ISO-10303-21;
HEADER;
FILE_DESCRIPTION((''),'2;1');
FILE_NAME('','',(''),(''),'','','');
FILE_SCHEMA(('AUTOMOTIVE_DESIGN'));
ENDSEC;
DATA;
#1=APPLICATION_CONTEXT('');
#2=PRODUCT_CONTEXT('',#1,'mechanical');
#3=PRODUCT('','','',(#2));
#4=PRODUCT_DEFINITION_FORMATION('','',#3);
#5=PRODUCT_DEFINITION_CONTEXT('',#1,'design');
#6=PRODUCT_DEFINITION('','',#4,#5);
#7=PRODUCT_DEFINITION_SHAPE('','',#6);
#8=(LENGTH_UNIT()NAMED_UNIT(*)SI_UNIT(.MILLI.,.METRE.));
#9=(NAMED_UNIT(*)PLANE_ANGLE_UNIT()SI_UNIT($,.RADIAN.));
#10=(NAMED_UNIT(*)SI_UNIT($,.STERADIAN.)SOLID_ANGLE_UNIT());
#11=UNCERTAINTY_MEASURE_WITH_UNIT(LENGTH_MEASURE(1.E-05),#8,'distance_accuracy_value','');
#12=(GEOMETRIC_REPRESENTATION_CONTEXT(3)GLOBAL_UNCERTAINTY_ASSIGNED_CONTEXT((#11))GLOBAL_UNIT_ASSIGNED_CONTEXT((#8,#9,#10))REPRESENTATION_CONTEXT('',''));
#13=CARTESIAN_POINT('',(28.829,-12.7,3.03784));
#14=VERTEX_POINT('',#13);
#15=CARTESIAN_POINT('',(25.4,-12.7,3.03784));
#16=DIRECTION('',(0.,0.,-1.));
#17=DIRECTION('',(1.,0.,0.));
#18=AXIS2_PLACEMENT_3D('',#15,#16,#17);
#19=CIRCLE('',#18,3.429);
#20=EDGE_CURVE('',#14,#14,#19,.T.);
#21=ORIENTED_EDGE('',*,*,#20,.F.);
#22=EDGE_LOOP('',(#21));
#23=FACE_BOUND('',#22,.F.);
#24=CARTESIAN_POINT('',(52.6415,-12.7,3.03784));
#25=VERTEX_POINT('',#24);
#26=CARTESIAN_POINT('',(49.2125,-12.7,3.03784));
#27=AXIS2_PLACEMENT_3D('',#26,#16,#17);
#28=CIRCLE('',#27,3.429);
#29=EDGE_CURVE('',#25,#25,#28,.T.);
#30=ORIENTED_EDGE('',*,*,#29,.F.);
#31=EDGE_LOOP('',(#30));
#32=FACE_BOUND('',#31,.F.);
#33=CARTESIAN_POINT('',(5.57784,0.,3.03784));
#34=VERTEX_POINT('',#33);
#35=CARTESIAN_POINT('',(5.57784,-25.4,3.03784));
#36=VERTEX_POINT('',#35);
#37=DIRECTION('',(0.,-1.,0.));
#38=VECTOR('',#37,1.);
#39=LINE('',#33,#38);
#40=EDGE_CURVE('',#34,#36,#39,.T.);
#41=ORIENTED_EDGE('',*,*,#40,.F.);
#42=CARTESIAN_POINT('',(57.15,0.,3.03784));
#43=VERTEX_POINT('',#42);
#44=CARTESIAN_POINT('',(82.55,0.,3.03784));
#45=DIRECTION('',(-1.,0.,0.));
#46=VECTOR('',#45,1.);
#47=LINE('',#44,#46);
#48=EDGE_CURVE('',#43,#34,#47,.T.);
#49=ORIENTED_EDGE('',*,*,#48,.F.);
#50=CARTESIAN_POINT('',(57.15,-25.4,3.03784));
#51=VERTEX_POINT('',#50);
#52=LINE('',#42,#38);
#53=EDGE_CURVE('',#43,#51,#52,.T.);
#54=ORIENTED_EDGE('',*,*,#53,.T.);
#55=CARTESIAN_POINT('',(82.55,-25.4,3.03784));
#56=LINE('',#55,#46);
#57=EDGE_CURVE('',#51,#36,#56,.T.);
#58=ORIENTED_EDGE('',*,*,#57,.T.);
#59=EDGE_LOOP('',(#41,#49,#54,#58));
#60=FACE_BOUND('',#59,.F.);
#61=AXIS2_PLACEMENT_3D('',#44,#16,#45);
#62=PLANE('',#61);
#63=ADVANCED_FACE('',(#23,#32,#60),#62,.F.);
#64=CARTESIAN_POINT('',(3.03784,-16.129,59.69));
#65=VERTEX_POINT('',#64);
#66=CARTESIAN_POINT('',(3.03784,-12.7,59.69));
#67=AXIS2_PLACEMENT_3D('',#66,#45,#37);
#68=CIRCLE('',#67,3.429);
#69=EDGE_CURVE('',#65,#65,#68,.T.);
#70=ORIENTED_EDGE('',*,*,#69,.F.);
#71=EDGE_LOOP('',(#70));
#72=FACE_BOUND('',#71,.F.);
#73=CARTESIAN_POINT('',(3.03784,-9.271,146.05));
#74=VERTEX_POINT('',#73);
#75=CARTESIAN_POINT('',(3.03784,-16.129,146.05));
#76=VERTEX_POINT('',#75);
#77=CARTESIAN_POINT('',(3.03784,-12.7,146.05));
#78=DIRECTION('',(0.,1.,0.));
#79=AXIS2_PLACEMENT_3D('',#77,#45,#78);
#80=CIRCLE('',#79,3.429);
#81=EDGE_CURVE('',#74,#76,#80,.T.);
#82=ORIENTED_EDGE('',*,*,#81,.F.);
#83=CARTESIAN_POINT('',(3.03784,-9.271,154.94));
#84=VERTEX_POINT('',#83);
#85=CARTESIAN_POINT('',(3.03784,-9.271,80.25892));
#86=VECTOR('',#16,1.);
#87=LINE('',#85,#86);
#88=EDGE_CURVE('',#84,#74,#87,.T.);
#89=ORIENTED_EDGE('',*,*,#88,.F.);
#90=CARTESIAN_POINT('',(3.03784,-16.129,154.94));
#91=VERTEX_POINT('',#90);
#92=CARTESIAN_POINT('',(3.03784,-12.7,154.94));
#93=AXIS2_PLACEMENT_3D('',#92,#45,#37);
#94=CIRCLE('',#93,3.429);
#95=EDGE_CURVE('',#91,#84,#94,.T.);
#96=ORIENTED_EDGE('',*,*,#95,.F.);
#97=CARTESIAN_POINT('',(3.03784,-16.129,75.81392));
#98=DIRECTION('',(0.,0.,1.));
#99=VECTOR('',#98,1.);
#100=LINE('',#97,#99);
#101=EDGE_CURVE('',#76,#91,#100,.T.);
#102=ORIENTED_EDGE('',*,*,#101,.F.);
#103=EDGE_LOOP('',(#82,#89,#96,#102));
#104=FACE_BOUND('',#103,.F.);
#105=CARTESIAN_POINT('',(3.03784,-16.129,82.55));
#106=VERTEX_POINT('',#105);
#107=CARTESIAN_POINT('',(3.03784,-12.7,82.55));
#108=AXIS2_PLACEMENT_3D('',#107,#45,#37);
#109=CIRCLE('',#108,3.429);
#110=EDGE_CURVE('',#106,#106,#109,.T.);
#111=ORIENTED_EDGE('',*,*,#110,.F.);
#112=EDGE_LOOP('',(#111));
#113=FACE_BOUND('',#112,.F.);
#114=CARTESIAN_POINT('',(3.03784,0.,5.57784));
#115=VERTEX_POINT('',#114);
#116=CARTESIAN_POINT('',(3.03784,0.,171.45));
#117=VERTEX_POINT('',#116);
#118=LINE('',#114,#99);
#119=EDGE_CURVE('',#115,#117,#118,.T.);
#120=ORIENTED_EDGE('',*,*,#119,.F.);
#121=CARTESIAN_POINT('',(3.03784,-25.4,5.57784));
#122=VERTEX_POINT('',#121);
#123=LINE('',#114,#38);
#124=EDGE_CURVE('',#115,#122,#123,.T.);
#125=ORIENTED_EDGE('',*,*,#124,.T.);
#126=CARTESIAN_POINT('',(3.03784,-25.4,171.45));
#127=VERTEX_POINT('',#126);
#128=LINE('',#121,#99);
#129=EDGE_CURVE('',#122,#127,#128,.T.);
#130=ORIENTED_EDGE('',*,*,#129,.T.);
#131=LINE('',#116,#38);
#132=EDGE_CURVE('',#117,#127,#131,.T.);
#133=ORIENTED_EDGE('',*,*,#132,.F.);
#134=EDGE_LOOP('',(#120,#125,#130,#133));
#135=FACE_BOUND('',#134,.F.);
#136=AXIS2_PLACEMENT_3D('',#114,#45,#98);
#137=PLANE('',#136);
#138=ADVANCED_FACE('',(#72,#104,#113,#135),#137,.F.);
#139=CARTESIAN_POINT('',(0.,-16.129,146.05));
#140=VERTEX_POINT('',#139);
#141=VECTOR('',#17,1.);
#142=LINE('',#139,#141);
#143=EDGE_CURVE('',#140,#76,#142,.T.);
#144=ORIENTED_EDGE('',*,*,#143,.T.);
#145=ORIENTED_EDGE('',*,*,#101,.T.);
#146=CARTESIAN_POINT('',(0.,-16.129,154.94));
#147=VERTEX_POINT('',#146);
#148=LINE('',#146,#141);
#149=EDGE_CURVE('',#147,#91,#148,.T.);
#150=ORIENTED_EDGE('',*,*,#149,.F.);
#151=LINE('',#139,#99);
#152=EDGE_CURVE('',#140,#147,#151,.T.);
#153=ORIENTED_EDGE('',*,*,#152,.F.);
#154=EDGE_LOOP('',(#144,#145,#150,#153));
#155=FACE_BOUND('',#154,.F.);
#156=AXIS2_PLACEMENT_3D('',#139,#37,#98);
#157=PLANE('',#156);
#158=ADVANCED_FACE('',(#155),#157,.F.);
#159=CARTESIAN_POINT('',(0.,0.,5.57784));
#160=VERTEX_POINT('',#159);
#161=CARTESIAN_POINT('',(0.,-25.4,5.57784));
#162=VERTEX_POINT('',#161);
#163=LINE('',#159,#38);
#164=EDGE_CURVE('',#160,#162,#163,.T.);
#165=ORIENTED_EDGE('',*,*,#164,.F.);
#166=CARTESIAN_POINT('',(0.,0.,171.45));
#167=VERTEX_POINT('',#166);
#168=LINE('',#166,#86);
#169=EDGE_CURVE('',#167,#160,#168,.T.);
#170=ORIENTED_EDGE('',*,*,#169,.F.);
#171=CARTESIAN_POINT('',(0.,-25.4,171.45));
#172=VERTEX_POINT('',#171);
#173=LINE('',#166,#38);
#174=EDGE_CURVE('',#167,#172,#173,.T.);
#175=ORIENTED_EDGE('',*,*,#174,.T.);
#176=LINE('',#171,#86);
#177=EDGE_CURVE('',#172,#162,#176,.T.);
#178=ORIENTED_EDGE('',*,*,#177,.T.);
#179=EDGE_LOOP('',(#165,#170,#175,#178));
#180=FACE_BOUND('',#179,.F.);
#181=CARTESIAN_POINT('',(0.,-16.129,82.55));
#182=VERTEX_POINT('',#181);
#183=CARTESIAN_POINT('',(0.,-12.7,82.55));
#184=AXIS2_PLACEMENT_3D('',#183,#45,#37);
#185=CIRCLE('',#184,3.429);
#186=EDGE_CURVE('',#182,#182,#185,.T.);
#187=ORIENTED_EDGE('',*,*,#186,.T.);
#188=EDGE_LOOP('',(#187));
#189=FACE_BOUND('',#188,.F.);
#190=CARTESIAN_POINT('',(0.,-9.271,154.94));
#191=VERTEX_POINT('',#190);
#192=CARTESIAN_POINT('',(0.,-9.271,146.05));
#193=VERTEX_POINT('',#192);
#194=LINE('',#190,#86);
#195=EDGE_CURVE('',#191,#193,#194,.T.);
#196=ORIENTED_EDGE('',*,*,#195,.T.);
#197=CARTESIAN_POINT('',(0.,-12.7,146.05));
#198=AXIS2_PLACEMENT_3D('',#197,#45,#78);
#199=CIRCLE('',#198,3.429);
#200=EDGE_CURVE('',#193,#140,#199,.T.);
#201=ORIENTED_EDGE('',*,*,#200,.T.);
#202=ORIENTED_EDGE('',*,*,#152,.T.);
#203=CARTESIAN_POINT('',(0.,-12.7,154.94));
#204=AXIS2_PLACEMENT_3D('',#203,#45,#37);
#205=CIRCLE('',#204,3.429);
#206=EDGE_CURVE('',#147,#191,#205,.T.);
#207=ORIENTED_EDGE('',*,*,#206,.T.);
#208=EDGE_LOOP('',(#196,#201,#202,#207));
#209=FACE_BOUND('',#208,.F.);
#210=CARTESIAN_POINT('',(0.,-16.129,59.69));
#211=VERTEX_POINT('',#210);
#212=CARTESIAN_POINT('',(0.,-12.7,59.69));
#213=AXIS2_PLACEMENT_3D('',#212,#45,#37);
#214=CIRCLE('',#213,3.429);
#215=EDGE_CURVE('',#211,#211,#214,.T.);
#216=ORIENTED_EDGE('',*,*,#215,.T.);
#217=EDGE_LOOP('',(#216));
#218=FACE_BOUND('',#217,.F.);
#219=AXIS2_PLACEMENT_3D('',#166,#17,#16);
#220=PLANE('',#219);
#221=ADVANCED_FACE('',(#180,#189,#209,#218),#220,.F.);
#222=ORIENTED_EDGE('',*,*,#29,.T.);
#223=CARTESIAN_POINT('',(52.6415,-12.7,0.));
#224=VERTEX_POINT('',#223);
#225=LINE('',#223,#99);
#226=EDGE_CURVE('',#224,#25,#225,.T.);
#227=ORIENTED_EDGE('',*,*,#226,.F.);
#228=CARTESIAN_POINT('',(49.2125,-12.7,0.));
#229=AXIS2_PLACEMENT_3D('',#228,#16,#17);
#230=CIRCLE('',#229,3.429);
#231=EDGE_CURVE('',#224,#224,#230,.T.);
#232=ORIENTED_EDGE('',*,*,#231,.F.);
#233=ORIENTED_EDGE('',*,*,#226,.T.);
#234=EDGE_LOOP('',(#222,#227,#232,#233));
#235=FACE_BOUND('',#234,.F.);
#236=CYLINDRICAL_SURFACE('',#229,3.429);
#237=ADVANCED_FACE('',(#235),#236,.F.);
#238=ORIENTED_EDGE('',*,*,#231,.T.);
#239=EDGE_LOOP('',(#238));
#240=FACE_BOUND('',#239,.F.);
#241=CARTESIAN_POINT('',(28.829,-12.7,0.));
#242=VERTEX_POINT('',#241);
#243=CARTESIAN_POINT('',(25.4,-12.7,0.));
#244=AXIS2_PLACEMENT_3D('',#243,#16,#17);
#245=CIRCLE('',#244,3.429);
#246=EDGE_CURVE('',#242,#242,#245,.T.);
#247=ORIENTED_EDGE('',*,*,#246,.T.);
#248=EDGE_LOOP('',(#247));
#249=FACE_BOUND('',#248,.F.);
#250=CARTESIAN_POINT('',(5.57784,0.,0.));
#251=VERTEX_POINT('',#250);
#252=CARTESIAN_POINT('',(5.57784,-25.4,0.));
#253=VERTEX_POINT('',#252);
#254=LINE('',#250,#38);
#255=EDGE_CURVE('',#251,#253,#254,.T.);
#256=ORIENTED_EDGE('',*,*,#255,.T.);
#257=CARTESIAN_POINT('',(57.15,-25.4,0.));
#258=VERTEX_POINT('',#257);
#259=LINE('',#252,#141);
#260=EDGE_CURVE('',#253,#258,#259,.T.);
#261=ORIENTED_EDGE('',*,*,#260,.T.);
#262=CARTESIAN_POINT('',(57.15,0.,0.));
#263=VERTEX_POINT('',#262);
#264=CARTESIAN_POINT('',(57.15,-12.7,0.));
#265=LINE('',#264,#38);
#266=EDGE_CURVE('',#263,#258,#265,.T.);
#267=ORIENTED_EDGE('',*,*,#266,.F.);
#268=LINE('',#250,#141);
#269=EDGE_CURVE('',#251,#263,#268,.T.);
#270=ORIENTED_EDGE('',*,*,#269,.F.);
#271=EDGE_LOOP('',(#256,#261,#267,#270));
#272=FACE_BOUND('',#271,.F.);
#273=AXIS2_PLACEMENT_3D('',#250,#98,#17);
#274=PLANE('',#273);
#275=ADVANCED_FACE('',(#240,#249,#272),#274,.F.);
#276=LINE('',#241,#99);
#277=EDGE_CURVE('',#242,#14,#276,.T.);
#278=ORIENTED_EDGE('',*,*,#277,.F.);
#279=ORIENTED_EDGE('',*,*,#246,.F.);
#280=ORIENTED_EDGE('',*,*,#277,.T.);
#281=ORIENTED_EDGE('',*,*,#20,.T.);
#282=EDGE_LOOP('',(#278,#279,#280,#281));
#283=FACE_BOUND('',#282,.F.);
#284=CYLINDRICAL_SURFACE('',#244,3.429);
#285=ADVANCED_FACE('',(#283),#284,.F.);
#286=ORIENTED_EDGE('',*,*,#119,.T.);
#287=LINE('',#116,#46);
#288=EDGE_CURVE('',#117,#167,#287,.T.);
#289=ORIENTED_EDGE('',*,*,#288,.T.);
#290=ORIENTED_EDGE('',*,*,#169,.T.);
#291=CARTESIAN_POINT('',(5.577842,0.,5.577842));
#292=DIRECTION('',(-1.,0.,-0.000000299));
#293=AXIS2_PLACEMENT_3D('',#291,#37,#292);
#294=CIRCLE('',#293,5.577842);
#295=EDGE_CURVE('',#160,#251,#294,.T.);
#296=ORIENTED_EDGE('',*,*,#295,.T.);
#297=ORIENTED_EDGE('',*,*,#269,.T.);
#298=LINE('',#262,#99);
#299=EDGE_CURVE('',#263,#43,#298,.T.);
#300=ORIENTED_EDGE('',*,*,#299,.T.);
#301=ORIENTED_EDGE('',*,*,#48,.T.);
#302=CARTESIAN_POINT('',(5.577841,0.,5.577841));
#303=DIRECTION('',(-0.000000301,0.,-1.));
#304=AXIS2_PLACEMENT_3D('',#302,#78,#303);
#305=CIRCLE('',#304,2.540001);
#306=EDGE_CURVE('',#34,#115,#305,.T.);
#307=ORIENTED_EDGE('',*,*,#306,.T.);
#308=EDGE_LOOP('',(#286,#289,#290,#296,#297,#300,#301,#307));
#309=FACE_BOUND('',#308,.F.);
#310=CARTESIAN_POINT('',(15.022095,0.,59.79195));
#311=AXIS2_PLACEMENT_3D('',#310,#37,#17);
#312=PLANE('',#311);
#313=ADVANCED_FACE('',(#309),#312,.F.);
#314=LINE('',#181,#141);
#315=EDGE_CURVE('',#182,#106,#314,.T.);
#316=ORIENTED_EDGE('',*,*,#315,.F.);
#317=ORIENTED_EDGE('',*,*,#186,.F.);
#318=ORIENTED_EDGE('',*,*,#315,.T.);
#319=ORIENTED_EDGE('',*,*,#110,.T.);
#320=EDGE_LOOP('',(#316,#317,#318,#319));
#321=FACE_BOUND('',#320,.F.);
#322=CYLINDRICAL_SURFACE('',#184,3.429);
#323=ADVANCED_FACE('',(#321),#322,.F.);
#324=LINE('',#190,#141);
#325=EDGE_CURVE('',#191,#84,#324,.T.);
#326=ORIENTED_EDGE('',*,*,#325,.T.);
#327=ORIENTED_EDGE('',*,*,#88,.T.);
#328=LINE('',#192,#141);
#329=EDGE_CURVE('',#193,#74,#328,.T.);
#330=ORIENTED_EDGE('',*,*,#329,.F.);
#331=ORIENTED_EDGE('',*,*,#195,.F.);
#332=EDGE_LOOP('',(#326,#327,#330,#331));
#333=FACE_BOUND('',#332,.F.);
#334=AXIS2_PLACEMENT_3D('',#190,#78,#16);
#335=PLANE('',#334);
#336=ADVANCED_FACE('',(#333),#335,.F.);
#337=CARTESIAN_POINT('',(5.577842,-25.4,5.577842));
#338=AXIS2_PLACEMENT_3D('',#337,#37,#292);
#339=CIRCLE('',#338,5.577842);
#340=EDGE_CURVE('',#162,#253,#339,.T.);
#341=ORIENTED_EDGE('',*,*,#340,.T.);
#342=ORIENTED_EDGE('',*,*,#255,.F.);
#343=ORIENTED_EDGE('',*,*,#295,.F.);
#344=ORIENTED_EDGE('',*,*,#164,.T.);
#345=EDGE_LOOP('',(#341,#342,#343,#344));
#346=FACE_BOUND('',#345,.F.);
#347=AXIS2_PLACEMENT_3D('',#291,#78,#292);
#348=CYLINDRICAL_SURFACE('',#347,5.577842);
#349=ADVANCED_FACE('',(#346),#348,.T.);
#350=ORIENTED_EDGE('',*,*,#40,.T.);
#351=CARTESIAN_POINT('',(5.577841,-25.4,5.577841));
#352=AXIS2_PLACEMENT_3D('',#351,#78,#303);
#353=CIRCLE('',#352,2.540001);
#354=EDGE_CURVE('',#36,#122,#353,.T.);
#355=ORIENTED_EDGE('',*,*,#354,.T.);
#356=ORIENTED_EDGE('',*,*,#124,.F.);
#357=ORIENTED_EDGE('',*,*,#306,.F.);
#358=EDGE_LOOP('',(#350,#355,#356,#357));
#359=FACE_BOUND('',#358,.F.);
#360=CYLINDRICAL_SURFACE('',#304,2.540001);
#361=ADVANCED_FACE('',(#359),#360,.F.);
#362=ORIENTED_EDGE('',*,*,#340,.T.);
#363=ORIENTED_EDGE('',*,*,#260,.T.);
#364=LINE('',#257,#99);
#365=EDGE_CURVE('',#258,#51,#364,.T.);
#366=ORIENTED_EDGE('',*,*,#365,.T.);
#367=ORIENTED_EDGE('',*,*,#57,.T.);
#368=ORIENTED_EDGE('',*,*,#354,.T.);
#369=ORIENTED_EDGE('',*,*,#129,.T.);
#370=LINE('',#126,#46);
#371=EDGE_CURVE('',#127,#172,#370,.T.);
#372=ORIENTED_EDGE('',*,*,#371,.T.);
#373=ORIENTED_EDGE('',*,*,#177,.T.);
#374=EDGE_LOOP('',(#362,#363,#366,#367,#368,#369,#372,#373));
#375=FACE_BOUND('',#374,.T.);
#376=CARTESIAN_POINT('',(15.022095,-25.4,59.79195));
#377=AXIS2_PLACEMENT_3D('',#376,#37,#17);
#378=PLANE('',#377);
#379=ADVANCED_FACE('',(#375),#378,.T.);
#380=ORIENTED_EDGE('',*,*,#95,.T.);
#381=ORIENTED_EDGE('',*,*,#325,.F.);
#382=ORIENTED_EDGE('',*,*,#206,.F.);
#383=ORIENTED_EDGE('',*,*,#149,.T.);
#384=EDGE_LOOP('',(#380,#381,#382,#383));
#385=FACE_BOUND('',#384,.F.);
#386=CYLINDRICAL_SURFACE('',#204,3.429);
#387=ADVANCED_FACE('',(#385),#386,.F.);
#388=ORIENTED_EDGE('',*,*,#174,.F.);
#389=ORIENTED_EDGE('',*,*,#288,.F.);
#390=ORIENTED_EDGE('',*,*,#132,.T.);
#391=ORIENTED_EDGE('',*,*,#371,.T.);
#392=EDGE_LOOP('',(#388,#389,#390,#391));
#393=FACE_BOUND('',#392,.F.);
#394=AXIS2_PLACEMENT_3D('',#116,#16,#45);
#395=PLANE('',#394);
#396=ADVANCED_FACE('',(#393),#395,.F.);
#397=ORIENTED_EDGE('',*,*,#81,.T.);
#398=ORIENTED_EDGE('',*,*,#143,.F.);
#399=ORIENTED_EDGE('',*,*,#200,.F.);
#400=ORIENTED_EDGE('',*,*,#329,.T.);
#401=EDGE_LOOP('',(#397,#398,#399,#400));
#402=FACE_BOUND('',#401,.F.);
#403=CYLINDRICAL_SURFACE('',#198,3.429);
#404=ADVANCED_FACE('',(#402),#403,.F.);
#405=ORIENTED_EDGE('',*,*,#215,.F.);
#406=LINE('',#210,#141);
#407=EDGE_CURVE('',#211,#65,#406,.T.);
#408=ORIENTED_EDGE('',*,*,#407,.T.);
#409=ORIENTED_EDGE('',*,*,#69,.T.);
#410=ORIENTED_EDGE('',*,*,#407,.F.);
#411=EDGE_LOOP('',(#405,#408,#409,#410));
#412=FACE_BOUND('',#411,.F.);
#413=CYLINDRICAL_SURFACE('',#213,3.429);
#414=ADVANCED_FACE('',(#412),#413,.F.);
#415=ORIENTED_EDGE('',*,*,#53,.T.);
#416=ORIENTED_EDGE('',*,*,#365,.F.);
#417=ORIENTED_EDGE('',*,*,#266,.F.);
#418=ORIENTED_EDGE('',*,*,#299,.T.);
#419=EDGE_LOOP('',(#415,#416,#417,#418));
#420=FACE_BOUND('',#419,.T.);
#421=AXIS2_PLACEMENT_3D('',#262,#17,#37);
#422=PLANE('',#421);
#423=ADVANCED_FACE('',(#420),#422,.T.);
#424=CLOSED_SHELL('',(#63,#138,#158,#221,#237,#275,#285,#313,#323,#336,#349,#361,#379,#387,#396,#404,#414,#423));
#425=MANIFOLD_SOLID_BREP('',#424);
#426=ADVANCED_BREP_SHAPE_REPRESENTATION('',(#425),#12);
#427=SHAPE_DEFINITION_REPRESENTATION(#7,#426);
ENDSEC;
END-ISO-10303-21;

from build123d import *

# Parameters (mm, degrees)
F1_DEPTH = 25.4
F2_R     = 3.429
F3_DEPTH = 82.551
F4_R     = 3.429
F5_DEPTH = 171.451
F6_W     = 25.4
F6_H     = 25.4
F6_R     = 3.429
F7_DEPTH = 171.451
F8_R     = 3.429
F9_DEPTH = 171.451


with BuildPart() as f1:
    # F0 (on Front) → F1 (new body)
    with BuildSketch(Plane.XZ):
        with BuildLine():
            Line((3.03784, 171.45), (0, 171.45))
            Line((0, 171.45), (0, 5.57784))
            ThreePointArc((0, 5.57784), (1.633712, 1.633712), (5.57784, 0))
            Line((5.57784, 0), (82.55, 0))
            Line((82.55, 0), (82.55, 3.03784))
            Line((82.55, 3.03784), (5.57784, 3.03784))
            ThreePointArc((5.57784, 3.03784), (3.781789, 3.781789), (3.03784, 5.57784))
            Line((3.03784, 5.57784), (3.03784, 171.45))
        make_face()
    extrude(amount=F1_DEPTH)

    # F2 (on face) → F3 (cut, through all)
    with BuildSketch(Plane(origin=(0, 0, 0), x_dir=(0, -1, 0), z_dir=(-1, 0, 0))):
        with BuildLine():
            ThreePointArc((16.129, 154.94), (12.7, 158.369), (9.271, 154.94))
            Line((9.271, 154.94), (9.271, 146.05))
            ThreePointArc((9.271, 146.05), (12.7, 142.621), (16.129, 146.05))
            Line((16.129, 146.05), (16.129, 154.94))
        make_face()
        with Locations((12.7, 82.55)):
            Circle(F2_R)
        with Locations((12.7, 59.69)):
            Circle(F2_R)
    extrude(amount=-F3_DEPTH, mode=Mode.SUBTRACT)

    # F4 (on face) → F5 (cut, through all)
    with BuildSketch(Plane(origin=(0, 0, 0), x_dir=(1, 0, 0), z_dir=(0, 0, -1))):
        with Locations((25.4, 12.7)):
            Circle(F4_R)
        with Locations((69.85, 12.7)):
            Circle(F4_R)
    extrude(amount=-F5_DEPTH, mode=Mode.SUBTRACT)

    # F6 (on face) → F7 (cut, through all)
    with BuildSketch(Plane(origin=(0, 0, 0), x_dir=(1, 0, 0), z_dir=(0, 0, -1))):
        with Locations((69.85, 12.7)):
            Rectangle(F6_W, F6_H)
        with Locations((69.85, 12.7)):
            Circle(F6_R, mode=Mode.SUBTRACT)
    extrude(amount=-F7_DEPTH, mode=Mode.SUBTRACT)

    # F8 (on face) → F9 (cut, through all)
    with BuildSketch(Plane(origin=(0, 0, 0), x_dir=(1, 0, 0), z_dir=(0, 0, -1))):
        with Locations((49.2125, 12.7)):
            Circle(F8_R)
    extrude(amount=-F9_DEPTH, mode=Mode.SUBTRACT)


solid = f1.part
